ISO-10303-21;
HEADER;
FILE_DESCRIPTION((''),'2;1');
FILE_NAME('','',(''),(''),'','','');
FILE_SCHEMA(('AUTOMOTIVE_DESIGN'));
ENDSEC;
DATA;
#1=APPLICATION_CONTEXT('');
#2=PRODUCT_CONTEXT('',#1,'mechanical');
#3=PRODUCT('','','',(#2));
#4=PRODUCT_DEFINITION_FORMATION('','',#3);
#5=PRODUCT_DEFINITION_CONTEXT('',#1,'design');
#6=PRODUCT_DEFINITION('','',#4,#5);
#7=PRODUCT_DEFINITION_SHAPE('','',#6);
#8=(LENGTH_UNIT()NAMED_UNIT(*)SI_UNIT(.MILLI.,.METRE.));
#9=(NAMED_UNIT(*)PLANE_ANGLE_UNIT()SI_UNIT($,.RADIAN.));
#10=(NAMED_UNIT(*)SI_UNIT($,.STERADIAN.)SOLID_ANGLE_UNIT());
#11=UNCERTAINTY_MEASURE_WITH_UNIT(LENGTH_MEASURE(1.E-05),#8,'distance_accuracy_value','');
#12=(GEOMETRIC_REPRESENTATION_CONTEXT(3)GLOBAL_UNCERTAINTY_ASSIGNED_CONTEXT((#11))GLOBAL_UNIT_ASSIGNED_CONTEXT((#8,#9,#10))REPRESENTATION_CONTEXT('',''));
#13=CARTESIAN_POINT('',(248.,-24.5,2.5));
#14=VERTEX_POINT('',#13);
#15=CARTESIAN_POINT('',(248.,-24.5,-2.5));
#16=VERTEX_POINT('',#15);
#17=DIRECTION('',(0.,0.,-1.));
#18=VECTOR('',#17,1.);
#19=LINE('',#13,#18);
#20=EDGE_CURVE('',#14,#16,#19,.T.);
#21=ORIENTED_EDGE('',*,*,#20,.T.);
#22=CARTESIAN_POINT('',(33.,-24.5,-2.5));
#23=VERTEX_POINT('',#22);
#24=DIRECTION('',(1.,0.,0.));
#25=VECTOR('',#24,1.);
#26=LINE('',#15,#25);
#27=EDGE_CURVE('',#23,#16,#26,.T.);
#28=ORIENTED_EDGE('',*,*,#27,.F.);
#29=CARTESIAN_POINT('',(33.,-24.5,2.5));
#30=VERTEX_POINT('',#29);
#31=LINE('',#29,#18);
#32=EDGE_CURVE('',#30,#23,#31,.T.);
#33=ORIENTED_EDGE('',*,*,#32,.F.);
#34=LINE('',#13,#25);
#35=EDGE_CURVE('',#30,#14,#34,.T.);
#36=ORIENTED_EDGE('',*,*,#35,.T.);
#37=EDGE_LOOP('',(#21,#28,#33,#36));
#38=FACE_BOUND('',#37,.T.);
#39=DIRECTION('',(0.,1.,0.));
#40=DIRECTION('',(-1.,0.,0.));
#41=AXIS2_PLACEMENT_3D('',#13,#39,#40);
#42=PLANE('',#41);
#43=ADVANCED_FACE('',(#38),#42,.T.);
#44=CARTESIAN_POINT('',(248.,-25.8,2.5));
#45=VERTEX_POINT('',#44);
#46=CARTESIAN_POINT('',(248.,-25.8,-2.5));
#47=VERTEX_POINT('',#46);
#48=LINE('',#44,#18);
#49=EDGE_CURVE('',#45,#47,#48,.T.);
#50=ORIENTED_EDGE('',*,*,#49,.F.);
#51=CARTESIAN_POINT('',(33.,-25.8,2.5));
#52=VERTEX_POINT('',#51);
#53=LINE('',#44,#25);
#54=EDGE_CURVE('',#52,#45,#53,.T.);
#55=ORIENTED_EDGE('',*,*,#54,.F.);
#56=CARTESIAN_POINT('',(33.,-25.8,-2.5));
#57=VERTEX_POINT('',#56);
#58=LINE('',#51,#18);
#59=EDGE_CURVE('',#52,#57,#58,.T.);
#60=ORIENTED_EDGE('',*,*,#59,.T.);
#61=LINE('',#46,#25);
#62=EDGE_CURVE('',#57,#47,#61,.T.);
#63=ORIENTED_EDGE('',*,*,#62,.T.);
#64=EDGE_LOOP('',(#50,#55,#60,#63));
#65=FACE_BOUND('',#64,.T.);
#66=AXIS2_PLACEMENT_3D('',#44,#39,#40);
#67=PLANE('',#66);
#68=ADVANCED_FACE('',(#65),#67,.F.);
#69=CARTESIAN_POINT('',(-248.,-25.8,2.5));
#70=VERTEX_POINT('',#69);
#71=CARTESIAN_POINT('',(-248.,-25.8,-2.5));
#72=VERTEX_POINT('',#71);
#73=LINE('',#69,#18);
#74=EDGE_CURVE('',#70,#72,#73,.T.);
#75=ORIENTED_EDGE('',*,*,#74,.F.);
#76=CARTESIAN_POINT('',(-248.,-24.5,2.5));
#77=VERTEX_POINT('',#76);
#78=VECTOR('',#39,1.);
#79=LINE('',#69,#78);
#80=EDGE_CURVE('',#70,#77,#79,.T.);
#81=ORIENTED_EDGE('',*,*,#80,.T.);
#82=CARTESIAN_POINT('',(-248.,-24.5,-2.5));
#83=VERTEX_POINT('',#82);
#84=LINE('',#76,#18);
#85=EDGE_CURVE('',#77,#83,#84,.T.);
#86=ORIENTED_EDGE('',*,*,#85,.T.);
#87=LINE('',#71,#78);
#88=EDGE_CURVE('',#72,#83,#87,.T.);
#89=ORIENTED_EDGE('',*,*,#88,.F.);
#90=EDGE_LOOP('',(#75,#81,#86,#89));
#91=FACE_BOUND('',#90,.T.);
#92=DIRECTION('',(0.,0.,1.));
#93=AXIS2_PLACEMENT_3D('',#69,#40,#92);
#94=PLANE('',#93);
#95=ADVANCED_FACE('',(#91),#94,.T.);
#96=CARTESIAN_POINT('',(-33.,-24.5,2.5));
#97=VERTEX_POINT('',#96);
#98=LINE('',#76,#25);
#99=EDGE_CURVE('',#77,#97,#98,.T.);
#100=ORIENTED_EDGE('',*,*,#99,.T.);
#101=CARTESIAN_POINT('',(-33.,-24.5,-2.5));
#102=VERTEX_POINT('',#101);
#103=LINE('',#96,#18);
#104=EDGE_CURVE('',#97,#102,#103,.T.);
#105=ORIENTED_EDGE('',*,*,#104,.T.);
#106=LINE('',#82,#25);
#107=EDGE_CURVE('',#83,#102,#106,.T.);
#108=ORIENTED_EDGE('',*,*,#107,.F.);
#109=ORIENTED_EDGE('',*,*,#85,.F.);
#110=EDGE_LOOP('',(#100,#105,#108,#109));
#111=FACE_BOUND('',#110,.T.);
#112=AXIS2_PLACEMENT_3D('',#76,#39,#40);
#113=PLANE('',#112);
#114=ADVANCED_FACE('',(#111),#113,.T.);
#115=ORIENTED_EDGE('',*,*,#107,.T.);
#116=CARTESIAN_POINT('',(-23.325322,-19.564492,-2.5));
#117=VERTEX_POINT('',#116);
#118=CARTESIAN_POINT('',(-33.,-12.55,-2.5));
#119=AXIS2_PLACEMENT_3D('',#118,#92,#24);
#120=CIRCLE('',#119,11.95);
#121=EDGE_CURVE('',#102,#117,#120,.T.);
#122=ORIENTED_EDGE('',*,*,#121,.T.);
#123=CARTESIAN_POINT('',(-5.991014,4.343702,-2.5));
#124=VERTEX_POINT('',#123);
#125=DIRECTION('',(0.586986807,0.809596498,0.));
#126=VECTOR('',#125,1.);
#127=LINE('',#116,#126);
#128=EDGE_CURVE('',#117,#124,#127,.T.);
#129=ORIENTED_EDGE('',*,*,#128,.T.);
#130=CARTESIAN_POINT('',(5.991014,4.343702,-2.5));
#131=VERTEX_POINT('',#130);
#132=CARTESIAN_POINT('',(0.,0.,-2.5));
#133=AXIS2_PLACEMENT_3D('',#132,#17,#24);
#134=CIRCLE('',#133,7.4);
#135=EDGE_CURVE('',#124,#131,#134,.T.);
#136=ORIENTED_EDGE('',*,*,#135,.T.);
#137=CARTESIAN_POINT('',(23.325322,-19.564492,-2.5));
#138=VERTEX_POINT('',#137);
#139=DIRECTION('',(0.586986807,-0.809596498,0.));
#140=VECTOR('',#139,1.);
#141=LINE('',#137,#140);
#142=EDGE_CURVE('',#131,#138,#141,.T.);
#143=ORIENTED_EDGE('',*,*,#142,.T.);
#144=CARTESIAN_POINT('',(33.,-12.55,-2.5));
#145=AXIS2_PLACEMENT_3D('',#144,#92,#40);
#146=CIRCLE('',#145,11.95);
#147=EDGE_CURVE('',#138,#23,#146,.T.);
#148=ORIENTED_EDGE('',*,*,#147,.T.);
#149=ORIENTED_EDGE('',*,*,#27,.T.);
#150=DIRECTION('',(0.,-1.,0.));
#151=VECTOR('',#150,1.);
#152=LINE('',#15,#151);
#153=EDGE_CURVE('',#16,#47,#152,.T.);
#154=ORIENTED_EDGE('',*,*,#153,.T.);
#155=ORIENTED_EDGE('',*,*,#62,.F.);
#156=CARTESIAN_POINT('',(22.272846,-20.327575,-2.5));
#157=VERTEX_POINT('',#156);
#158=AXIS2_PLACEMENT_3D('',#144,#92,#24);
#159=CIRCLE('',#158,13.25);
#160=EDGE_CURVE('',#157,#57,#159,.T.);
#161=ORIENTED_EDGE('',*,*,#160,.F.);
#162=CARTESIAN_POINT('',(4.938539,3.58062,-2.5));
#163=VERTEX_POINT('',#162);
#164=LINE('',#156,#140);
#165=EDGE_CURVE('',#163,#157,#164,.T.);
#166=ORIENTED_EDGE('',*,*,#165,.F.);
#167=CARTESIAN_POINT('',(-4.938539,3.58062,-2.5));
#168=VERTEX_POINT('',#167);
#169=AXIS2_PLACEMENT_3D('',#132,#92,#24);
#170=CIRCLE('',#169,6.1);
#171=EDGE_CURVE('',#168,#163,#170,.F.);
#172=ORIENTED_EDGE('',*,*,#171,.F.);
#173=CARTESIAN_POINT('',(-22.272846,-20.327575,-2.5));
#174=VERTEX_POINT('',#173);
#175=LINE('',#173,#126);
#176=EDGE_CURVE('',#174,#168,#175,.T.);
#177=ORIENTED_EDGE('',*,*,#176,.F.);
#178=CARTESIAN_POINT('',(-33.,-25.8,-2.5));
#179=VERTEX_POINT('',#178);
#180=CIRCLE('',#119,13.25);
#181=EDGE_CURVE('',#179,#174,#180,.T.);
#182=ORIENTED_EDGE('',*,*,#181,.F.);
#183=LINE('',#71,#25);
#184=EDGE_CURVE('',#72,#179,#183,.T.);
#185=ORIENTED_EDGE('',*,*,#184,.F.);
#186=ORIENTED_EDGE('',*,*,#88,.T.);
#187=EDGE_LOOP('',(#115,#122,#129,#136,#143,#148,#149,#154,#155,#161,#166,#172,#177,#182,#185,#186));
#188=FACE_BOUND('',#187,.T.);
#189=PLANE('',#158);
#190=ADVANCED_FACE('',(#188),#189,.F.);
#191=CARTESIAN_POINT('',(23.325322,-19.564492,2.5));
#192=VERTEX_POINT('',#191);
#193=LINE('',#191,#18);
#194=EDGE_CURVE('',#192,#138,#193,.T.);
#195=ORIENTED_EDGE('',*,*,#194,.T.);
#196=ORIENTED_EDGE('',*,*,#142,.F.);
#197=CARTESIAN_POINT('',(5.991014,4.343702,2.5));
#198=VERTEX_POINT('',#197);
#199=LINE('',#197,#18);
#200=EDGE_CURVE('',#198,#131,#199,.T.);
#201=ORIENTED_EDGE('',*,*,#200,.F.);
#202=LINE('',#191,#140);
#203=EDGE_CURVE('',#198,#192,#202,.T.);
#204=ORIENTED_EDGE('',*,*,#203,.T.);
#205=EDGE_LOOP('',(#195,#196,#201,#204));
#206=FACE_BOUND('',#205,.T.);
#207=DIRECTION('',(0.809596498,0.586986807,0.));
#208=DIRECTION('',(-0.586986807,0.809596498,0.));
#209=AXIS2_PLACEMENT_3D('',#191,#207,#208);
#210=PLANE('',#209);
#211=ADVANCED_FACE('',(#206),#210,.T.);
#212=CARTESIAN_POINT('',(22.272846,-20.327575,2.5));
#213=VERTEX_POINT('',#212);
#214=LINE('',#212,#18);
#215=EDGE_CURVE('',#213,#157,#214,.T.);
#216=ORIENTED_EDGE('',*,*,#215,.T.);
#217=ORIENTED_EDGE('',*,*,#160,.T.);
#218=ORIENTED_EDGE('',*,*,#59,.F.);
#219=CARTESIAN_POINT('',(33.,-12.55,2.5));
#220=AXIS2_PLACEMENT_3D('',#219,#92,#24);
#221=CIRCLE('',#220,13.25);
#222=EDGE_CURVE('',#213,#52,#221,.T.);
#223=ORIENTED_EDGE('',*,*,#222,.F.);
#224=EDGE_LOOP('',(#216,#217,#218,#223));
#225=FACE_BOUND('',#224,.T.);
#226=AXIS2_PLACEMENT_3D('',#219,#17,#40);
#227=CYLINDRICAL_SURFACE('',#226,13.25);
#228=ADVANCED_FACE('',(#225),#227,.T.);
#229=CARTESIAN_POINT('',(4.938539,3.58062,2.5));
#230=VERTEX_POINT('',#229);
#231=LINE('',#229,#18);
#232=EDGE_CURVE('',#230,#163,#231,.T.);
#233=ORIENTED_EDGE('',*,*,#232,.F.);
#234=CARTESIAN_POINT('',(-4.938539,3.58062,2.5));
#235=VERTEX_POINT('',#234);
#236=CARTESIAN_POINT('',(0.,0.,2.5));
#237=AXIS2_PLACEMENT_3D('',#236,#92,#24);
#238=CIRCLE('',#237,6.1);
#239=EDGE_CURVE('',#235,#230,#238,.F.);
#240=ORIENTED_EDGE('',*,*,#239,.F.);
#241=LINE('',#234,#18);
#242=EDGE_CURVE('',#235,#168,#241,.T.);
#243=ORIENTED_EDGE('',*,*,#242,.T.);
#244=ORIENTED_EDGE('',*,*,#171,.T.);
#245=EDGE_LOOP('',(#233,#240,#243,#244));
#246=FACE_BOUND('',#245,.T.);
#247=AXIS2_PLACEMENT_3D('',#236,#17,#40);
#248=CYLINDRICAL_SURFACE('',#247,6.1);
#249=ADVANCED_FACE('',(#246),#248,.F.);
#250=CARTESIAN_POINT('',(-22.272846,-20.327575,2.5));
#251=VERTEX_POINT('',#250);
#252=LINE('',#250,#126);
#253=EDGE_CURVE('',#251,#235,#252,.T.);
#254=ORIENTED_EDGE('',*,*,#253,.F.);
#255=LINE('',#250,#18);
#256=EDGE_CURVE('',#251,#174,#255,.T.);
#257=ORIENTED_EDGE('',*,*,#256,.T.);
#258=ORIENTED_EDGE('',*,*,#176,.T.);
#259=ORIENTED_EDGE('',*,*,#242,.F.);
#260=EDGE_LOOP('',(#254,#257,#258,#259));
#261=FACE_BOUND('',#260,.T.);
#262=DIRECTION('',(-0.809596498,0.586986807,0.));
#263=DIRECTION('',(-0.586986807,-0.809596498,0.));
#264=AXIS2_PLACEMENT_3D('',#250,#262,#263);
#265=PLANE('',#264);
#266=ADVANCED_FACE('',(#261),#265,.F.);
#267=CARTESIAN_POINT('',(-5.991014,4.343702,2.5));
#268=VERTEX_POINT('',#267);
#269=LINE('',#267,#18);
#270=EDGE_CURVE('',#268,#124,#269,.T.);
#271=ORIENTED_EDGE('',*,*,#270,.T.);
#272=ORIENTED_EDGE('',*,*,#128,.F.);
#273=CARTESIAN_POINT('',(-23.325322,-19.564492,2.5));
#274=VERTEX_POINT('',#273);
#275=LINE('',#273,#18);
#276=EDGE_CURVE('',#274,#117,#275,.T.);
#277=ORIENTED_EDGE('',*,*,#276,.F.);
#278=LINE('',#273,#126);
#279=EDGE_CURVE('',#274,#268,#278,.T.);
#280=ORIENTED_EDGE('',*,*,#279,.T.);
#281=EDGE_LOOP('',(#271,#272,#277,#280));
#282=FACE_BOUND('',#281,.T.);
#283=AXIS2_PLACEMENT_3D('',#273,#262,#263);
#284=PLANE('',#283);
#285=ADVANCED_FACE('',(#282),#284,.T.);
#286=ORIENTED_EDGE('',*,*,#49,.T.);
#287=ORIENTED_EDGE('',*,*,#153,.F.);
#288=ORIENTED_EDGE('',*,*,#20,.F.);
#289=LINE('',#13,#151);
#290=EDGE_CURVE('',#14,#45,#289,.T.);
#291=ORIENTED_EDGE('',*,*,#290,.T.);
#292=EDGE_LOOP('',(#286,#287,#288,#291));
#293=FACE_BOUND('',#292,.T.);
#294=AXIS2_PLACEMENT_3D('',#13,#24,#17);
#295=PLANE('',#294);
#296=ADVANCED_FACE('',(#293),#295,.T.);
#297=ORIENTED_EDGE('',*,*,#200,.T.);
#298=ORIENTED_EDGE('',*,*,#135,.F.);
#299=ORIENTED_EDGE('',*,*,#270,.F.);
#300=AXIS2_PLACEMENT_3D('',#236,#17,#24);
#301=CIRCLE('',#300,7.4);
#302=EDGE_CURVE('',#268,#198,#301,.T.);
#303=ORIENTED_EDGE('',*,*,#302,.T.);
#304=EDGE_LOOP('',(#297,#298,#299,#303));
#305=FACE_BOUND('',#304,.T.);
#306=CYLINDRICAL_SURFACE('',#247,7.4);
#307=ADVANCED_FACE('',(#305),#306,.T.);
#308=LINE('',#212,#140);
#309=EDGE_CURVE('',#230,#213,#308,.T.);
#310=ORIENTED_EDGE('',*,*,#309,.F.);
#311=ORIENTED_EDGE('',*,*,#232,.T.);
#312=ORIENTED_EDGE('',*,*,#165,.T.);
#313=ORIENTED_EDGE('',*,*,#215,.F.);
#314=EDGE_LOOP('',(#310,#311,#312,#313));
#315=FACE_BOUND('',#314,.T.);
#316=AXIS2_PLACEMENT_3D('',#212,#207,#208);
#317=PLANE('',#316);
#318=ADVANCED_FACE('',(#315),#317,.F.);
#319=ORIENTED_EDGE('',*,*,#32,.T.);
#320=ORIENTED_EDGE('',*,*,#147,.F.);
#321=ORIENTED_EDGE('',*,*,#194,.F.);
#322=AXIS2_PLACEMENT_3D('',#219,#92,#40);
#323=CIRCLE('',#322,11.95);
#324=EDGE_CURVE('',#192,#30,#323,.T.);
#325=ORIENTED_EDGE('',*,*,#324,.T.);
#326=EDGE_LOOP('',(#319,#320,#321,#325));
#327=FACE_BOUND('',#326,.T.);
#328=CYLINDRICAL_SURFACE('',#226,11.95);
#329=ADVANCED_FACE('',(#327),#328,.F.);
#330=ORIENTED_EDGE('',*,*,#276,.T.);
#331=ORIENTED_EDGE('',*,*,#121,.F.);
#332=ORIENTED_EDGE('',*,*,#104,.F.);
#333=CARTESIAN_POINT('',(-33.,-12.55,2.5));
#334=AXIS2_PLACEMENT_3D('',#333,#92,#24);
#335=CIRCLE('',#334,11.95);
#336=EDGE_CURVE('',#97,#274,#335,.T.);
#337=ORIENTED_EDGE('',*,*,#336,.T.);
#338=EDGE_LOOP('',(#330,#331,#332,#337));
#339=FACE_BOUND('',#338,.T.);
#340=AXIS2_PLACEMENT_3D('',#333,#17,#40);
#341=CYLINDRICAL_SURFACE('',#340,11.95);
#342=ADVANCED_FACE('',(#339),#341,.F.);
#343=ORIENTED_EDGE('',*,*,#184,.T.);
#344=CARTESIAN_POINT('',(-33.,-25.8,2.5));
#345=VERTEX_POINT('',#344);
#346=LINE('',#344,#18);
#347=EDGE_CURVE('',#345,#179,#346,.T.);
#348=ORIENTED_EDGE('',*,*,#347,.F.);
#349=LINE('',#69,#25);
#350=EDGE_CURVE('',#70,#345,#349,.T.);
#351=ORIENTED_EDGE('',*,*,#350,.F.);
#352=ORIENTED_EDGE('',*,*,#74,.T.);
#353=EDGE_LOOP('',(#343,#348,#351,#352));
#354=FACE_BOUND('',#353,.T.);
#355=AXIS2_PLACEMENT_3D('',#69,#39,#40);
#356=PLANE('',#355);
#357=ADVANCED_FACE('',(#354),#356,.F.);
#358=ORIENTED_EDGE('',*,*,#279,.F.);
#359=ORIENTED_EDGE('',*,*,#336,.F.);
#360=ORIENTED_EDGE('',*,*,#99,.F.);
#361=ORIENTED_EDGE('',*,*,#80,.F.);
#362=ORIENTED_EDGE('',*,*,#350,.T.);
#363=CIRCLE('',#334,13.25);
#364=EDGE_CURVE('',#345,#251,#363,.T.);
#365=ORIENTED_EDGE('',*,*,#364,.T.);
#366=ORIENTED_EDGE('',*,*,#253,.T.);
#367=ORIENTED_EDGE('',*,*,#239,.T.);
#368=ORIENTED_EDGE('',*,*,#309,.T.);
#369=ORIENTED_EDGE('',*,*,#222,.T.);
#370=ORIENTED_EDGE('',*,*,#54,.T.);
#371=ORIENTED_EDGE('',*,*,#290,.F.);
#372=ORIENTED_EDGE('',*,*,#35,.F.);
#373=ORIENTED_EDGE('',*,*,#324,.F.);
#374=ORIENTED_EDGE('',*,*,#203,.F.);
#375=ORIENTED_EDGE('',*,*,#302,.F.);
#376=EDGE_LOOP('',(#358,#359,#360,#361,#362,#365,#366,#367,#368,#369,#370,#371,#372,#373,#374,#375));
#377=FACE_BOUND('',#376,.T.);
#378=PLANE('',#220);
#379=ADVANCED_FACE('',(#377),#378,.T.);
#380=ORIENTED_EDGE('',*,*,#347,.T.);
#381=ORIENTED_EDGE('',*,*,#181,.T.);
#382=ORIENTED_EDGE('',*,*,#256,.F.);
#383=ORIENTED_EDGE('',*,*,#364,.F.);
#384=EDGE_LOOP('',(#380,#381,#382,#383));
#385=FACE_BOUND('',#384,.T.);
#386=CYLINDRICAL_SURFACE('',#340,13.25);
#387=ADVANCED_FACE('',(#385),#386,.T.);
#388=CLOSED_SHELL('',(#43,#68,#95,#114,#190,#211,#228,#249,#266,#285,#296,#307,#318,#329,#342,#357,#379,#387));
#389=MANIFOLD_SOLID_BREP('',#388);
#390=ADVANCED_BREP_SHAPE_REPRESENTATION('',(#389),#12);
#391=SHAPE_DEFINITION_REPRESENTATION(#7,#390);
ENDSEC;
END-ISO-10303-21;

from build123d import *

# Parameters (mm, degrees)
EXTRUDE_THIN1_DEPTH = 2.5


with BuildPart() as part:
    # Sketch1 → Extrude-Thin1 (new body, symmetric)
    with BuildSketch(Plane.XY):
        with BuildLine():
            Line((-248, -24.5), (-33, -24.5))
            ThreePointArc((-33, -24.5), (-27.56956187, -23.194850479), (-23.325321853, -19.564492338))
            Line((-23.325321853, -19.564492338), (-5.991014082, 4.343702368))
            ThreePointArc((-5.991014082, 4.343702368), (0, 7.4), (5.991014082, 4.343702368))
            Line((5.991014082, 4.343702368), (23.325321853, -19.564492338))
            ThreePointArc((23.325321853, -19.564492338), (27.56956187, -23.194850479), (33, -24.5))
            Line((33, -24.5), (248, -24.5))
            Line((248, -24.5), (248, -25.8))
            Line((248, -25.8), (33, -25.8))
            ThreePointArc((33, -25.8), (26.978802911, -24.352867686), (22.272846406, -20.327575186))
            Line((22.272846406, -20.327575186), (4.938538636, 3.58061952))
            ThreePointArc((4.938538636, 3.58061952), (0, 6.1), (-4.938538636, 3.58061952))
            Line((-4.938538636, 3.58061952), (-22.272846406, -20.327575186))
            ThreePointArc((-22.272846406, -20.327575186), (-26.978802911, -24.352867686), (-33, -25.8))
            Line((-33, -25.8), (-248, -25.8))
            Line((-248, -25.8), (-248, -24.5))
        make_face()
    extrude(amount=EXTRUDE_THIN1_DEPTH, both=True)


solid = part.part
